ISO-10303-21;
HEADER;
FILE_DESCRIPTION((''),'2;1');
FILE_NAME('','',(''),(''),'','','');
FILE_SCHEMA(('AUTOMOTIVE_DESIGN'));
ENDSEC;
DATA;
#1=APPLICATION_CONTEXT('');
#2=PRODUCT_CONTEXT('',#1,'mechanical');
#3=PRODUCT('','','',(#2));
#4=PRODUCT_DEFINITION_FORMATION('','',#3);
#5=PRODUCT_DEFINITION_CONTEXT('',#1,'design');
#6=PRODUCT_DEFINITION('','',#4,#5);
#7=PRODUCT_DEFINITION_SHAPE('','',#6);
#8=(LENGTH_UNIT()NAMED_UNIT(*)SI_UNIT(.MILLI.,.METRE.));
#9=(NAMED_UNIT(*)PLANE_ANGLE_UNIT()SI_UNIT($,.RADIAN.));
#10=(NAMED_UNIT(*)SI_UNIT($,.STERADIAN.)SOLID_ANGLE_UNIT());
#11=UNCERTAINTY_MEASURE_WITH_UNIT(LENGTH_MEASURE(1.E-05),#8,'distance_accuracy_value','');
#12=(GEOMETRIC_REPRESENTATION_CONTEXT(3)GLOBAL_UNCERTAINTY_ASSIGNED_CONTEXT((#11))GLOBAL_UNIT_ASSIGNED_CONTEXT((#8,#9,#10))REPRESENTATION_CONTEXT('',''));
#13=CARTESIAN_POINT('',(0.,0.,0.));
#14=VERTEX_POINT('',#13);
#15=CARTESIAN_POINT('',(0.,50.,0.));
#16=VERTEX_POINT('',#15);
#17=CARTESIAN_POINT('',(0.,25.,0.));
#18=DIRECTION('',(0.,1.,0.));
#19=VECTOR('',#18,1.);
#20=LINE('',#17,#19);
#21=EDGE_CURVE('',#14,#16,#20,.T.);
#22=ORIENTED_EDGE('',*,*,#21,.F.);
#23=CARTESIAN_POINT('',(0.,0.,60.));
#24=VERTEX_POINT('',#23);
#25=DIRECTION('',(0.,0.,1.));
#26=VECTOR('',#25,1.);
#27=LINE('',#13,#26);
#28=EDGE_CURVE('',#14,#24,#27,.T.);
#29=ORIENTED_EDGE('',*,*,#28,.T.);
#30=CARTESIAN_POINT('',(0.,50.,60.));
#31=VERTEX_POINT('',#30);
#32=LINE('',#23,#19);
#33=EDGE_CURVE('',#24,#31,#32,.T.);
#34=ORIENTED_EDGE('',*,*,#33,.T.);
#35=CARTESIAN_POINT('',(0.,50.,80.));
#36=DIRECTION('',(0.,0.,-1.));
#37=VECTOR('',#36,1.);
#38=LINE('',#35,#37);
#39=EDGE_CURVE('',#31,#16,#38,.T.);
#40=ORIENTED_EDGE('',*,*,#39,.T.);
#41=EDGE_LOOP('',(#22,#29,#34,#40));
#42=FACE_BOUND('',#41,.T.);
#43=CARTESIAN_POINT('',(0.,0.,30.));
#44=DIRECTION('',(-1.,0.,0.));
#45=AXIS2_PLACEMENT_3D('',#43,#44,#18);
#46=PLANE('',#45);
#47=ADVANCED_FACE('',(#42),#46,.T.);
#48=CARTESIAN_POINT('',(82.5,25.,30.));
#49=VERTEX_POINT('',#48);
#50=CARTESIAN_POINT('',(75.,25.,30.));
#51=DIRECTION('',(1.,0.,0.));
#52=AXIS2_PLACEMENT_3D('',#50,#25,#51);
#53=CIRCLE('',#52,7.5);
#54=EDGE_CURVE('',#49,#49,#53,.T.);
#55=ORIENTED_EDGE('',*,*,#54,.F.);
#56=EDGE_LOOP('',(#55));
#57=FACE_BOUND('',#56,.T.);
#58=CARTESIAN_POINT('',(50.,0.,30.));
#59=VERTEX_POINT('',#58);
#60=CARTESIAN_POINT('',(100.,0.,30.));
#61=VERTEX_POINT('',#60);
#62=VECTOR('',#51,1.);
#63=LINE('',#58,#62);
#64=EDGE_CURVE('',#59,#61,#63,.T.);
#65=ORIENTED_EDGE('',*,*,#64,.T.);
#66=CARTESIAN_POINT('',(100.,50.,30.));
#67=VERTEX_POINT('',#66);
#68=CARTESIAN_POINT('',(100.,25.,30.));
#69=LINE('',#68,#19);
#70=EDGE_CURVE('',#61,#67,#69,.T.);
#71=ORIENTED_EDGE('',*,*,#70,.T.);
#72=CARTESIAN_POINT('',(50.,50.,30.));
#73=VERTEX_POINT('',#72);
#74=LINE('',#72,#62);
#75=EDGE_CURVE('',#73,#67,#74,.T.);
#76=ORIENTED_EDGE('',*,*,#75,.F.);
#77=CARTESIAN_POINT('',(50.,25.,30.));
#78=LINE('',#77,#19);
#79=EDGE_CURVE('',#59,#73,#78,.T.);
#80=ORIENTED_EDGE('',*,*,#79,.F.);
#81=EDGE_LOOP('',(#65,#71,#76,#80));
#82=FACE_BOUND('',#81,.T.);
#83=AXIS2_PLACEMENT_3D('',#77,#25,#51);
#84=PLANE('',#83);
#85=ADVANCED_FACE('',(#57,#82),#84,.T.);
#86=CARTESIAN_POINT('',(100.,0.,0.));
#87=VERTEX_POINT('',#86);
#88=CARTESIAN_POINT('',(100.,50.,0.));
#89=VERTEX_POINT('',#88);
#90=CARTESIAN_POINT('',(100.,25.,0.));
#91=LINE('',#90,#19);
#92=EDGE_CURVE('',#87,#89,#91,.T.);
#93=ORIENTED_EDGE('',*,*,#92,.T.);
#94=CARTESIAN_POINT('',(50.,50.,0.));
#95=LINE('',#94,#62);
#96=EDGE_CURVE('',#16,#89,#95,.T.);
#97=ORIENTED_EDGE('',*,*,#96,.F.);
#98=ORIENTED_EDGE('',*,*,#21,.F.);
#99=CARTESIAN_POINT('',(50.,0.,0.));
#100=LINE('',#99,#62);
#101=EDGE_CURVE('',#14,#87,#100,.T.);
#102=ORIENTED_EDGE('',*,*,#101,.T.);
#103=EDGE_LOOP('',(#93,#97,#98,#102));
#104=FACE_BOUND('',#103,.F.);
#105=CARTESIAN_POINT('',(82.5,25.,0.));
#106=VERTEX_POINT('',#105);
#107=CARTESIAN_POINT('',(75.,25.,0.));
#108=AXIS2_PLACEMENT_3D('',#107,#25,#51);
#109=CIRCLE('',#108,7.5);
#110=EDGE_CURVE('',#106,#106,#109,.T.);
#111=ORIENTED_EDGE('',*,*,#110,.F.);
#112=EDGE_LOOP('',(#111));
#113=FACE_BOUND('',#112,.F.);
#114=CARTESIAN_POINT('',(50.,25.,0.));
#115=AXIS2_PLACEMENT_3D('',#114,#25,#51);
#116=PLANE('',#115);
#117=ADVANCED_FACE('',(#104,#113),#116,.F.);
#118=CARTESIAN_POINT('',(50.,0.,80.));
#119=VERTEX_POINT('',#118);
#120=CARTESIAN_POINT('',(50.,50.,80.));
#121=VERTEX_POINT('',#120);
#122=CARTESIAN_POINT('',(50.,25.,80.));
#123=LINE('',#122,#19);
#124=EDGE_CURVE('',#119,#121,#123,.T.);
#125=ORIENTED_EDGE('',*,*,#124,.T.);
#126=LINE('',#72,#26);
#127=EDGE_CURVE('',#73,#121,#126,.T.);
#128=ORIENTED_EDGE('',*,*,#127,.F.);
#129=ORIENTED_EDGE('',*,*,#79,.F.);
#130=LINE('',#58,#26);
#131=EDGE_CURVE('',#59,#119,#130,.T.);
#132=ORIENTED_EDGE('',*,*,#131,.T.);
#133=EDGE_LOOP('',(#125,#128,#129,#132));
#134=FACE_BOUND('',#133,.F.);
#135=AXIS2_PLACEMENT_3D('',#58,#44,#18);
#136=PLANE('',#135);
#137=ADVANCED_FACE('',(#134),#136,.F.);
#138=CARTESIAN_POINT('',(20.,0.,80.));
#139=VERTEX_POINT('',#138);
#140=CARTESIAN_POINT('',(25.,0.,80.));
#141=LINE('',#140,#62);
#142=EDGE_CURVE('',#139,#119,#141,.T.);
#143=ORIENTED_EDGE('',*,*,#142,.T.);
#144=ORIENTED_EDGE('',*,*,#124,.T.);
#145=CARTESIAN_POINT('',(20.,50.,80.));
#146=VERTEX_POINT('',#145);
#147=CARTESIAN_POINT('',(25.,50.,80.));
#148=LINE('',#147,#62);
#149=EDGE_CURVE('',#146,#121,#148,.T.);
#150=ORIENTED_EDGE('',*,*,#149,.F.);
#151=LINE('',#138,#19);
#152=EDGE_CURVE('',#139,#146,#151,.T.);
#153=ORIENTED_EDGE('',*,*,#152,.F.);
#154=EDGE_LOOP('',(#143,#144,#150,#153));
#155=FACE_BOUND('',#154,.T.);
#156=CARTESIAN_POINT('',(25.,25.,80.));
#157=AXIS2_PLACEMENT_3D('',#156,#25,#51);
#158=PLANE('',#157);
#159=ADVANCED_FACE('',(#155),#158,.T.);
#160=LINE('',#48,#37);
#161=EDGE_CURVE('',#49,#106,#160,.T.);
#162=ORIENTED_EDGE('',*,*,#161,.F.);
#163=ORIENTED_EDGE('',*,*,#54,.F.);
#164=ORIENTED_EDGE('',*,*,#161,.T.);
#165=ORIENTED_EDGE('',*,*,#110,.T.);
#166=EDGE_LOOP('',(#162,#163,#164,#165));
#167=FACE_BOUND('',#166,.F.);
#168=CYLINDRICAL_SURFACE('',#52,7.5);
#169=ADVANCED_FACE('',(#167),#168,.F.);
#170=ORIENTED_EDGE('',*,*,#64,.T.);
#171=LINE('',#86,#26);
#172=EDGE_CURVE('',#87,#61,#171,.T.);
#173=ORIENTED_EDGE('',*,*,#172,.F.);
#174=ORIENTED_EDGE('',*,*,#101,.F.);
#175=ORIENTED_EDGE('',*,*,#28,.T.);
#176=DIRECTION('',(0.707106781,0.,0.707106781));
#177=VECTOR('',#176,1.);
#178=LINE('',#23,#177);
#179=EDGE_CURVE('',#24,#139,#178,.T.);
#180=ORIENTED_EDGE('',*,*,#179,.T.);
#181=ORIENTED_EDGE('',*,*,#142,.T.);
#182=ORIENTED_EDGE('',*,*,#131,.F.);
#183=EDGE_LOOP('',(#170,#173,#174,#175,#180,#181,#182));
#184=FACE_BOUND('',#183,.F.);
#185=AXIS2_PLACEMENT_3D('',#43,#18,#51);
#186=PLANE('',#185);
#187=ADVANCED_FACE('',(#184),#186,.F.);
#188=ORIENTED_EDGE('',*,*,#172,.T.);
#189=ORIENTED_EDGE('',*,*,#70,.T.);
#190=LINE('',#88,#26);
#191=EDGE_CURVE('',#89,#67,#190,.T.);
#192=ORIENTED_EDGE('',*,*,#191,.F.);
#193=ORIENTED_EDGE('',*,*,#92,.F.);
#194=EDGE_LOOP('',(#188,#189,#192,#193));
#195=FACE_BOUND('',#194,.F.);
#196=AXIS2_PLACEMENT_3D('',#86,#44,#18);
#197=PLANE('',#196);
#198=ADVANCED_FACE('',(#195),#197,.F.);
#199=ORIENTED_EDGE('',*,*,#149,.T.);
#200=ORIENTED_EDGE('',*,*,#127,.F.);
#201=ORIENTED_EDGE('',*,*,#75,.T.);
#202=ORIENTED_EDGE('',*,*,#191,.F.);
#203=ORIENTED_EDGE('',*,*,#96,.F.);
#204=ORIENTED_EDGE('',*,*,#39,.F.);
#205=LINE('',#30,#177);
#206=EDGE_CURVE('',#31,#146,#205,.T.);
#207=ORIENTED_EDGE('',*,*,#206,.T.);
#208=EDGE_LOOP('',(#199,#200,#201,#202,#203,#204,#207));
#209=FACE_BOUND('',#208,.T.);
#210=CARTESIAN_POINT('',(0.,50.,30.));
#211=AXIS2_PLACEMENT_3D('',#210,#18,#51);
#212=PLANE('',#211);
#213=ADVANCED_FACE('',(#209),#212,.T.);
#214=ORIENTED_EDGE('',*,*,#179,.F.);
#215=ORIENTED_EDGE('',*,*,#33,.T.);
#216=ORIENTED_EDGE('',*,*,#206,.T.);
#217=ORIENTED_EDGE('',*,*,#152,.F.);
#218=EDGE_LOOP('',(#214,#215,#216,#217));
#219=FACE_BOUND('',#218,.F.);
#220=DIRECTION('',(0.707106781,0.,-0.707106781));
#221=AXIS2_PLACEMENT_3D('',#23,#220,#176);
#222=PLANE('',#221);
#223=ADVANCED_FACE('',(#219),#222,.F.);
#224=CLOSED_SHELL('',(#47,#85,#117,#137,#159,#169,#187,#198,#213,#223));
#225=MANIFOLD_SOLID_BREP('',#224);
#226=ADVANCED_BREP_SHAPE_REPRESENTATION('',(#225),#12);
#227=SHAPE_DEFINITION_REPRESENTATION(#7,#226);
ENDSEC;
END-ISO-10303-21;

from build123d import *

# Parameters (mm, degrees)
F0_W     = 100
F0_H     = 50
F1_DEPTH = 30
F3_W     = 50
F3_H     = 50
F4_DEPTH = 50
F6_DEPTH = 50
F7_R     = 7.5
F8_DEPTH = 30.001


with BuildPart() as f1:
    # F0 (on Top) → F1 (new body)
    with BuildSketch(Plane.XY):
        with Locations((50, 25)):
            Rectangle(F0_W, F0_H)
    extrude(amount=F1_DEPTH)

    # F3 (on face) → F4 (join, through all)
    with BuildSketch(Plane.XY.offset(30)):
        with Locations((25, 25)):
            Rectangle(F3_W, F3_H)
    extrude(amount=F4_DEPTH)

    # F5 (on face) → F6 (cut, through all)
    with BuildSketch(Plane.XZ):
        Polygon((20, 80), (0, 80), (0, 60), align=None)
    extrude(amount=-F6_DEPTH, mode=Mode.SUBTRACT)

    # F7 (on face) → F8 (cut, through all)
    with BuildSketch(Plane.XY.offset(30)):
        with Locations((75, 25)):
            Circle(F7_R)
    extrude(amount=-F8_DEPTH, mode=Mode.SUBTRACT)


solid = f1.part
